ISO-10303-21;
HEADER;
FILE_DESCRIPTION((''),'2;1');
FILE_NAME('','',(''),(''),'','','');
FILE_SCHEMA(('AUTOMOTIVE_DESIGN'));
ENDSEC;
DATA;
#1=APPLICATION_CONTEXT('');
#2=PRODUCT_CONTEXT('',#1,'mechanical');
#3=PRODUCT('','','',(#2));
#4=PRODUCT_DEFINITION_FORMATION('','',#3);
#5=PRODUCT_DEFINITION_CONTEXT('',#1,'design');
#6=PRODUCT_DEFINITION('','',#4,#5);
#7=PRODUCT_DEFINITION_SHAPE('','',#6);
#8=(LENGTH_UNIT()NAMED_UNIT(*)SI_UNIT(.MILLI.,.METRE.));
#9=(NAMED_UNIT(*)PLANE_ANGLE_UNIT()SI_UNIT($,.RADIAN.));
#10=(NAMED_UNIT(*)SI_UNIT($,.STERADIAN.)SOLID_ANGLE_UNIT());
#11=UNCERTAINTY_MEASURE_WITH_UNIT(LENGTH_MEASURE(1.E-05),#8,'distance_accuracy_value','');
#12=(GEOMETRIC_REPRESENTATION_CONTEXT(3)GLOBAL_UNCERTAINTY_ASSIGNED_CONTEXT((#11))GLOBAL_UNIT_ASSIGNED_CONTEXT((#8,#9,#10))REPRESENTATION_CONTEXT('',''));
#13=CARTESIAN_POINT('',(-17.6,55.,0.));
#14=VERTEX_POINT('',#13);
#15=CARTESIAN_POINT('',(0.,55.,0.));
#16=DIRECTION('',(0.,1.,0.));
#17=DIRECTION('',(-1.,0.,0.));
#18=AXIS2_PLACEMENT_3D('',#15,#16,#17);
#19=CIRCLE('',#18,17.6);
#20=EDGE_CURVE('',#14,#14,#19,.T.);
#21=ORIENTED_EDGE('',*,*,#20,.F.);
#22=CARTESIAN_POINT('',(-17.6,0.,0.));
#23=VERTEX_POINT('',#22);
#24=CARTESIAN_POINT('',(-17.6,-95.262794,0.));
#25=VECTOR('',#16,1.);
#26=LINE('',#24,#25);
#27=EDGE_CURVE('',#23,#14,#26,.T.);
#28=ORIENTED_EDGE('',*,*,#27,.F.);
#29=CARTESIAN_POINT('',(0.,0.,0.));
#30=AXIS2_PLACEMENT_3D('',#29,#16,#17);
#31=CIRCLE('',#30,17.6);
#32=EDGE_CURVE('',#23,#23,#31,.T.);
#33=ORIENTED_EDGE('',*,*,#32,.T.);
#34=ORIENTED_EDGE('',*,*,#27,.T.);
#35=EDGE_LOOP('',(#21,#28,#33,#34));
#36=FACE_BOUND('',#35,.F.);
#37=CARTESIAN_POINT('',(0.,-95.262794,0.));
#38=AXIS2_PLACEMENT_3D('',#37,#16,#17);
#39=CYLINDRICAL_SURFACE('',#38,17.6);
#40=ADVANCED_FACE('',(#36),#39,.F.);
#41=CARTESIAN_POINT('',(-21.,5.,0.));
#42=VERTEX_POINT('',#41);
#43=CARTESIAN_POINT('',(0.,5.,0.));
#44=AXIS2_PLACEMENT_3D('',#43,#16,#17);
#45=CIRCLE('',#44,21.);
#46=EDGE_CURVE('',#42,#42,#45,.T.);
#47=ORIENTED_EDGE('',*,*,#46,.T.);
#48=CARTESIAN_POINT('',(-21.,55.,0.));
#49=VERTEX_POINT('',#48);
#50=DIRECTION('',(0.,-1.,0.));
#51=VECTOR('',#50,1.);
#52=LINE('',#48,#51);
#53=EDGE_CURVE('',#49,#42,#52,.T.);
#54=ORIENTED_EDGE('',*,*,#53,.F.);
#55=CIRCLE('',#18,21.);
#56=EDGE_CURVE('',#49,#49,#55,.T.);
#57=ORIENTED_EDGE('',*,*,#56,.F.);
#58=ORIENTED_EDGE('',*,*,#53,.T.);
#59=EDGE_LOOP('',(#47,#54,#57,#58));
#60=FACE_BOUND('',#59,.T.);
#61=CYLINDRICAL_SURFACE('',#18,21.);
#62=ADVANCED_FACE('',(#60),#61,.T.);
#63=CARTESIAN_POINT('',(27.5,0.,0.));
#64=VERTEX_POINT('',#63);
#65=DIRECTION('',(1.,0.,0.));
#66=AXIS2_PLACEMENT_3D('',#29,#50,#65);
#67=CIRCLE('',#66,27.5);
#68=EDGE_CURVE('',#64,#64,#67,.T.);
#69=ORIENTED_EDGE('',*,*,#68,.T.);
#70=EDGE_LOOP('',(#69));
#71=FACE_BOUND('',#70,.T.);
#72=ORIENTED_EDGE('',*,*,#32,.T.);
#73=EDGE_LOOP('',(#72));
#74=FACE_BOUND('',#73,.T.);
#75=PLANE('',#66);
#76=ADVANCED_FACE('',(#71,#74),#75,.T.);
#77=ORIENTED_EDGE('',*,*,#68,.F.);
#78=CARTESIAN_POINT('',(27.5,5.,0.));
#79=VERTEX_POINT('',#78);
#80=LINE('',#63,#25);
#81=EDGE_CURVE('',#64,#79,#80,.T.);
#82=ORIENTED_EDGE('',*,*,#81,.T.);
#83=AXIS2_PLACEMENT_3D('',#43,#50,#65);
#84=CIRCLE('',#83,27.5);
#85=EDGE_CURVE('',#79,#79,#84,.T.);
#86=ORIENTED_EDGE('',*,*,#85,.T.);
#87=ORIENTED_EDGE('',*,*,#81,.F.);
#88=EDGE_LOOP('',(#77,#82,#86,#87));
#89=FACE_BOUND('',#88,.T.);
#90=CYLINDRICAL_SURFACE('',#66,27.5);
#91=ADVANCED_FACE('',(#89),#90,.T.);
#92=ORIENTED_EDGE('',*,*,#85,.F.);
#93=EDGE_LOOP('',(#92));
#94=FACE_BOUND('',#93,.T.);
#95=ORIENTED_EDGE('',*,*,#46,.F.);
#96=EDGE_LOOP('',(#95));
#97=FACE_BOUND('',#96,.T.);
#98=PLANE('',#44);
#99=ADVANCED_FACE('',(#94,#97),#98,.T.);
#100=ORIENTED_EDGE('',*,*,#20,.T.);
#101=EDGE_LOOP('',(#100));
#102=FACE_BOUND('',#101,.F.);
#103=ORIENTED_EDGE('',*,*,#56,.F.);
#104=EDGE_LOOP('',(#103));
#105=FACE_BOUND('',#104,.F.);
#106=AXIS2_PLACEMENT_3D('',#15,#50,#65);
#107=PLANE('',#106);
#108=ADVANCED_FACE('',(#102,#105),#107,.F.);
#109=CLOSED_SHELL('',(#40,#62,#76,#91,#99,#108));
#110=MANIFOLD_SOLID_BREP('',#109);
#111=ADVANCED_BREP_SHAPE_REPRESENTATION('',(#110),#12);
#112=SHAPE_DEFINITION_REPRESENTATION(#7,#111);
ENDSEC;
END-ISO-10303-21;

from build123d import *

# Parameters (mm, degrees)
F0_R     = 27.5
F1_DEPTH = 55
F2_R     = 27.5
F2_R_2   = 21
F3_DEPTH = 50
F5_D     = 35.2


with BuildPart() as f1:
    # F0 (on Front) → F1 (new body)
    with BuildSketch(Plane.XZ):
        Circle(F0_R)
    extrude(amount=-F1_DEPTH)

    # F2 (on face) → F3 (cut)
    with BuildSketch(Plane(origin=(0, 55, 0), x_dir=(-1, 0, 0), z_dir=(0, 1, 0))):
        Circle(F2_R)
        Circle(F2_R_2, mode=Mode.SUBTRACT)
    extrude(amount=-F3_DEPTH, mode=Mode.SUBTRACT)

    # F5 (through all)
    with Locations(Plane.XZ):
        with Locations((0, 0)):
            Hole(F5_D / 2)


solid = f1.part
